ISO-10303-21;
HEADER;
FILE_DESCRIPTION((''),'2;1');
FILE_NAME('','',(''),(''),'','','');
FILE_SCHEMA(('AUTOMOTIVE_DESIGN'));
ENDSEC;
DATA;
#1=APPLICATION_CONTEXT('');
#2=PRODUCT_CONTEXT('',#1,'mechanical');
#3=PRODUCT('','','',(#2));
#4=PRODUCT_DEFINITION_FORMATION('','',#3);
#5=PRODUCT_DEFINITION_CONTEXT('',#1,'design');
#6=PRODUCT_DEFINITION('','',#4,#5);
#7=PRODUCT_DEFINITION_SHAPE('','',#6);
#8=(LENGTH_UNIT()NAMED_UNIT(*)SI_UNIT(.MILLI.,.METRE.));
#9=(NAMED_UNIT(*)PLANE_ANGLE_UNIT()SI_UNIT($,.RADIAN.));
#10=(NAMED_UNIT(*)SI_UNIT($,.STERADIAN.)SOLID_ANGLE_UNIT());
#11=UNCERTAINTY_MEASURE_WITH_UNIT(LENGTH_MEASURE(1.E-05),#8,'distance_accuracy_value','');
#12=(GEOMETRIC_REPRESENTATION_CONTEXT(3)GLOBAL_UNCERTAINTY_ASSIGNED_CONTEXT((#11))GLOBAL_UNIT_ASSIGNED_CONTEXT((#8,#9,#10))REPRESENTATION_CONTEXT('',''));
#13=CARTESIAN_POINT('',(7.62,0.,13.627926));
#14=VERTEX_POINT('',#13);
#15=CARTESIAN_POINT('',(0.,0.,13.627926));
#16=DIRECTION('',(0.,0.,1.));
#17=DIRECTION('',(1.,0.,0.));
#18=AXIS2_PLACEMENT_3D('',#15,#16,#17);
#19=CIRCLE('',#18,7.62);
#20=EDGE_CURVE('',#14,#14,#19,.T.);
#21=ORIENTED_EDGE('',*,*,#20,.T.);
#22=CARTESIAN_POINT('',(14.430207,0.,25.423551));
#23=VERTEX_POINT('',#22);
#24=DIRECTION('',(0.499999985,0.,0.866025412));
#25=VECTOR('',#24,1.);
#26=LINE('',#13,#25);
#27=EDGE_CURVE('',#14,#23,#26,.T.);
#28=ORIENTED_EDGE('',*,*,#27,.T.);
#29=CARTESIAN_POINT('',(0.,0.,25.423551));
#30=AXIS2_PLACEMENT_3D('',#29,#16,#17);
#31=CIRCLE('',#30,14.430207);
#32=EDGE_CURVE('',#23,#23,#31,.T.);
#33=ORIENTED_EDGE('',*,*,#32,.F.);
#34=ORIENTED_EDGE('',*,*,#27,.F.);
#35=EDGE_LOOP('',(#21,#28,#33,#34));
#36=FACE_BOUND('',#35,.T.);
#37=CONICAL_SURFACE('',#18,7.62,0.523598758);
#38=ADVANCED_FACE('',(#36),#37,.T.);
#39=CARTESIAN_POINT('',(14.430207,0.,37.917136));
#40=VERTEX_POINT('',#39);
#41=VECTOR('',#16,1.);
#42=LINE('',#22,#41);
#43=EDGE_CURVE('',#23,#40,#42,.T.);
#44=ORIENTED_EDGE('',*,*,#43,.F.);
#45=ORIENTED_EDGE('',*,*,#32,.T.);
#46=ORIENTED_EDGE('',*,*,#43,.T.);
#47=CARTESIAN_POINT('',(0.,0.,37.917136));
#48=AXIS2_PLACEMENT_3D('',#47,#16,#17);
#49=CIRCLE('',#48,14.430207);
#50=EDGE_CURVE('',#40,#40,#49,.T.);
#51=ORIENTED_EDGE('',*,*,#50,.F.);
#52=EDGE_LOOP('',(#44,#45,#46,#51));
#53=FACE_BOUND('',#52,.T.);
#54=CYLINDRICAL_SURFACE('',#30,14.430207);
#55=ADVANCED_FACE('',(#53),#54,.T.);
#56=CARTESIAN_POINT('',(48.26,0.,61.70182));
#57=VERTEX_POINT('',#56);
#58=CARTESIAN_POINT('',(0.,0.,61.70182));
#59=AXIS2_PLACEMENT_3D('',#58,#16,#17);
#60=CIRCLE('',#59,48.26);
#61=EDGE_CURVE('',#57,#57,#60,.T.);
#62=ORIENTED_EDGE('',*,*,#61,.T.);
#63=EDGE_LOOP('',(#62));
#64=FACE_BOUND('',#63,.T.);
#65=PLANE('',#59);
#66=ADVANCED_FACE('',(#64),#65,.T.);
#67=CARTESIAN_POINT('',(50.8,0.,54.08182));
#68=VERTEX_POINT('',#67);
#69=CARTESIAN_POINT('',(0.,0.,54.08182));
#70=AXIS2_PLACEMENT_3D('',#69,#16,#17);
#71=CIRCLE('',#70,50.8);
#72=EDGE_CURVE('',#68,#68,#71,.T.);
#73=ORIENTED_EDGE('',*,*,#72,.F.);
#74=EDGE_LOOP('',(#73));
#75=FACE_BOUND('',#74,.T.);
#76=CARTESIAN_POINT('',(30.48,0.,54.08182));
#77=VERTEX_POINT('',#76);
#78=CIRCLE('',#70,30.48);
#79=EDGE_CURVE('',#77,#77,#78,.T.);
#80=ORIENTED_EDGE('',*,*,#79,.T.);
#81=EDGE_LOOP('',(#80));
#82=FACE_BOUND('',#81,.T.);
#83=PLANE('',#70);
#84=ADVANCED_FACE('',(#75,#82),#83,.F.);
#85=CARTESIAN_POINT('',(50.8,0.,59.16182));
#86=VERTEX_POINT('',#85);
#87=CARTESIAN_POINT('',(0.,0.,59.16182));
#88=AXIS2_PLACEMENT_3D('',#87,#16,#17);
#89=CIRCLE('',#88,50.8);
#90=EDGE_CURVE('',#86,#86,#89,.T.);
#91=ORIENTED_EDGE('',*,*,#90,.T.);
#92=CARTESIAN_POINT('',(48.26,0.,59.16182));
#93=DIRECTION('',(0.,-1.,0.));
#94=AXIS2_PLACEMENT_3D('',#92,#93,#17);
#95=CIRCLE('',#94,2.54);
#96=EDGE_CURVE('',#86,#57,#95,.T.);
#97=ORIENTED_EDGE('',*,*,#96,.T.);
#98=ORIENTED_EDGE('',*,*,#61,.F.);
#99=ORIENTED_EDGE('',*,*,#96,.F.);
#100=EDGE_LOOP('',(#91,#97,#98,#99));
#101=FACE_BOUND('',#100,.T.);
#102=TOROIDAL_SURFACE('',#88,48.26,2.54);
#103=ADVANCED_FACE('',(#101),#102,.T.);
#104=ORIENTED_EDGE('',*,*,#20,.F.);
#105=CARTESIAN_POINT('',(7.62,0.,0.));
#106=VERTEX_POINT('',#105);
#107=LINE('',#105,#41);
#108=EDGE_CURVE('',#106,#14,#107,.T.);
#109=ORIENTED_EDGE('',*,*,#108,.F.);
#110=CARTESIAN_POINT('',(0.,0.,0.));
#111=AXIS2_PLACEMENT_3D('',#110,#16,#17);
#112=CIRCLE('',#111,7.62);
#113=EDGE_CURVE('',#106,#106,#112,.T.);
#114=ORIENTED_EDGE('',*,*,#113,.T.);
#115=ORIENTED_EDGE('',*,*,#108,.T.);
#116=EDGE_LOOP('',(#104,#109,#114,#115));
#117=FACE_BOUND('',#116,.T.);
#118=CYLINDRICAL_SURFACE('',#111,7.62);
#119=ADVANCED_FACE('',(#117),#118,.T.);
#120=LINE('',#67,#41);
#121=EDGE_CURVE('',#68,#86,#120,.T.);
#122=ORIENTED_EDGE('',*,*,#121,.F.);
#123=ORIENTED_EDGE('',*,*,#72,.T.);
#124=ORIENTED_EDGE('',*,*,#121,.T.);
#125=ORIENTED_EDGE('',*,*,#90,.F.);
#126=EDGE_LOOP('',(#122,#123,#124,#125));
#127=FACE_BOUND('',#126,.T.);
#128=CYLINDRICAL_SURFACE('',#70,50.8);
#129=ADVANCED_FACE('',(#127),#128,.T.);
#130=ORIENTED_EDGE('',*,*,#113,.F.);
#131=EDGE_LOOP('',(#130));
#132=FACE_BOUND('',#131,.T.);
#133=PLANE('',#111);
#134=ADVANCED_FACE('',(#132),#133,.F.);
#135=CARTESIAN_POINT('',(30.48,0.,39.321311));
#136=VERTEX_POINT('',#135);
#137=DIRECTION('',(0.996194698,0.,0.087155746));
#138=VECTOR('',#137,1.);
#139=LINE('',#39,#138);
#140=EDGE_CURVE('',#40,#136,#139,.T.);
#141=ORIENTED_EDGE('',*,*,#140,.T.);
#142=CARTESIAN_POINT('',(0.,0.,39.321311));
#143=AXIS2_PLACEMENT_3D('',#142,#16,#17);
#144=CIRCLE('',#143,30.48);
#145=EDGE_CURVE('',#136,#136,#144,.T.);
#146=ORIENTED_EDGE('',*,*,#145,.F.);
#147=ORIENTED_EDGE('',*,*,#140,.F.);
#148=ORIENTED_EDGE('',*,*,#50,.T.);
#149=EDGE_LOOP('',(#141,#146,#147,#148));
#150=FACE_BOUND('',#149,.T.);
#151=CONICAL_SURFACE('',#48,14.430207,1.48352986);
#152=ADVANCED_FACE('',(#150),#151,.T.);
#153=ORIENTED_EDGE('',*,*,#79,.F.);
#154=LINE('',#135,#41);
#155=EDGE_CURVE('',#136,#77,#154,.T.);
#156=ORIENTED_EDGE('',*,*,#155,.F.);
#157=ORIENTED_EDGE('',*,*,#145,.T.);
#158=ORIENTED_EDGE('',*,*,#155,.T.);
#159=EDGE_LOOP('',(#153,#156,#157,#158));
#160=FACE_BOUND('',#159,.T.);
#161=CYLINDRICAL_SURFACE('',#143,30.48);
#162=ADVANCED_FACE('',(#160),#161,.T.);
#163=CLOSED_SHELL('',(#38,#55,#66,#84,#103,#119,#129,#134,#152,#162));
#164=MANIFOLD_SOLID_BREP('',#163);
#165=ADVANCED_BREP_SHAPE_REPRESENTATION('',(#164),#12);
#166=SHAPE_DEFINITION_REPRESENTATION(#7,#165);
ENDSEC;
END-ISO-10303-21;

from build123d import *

# Parameters (mm, degrees)
F2_R = 2.54


with BuildPart() as f1:
    # F0 (on Front) → F1 (revolve)
    with BuildSketch(Plane.XZ):
        Polygon((0, 61.70182), (0, 0), (7.62, 0), (7.62, 13.627926), (14.430207, 25.423551), (14.430207, 37.917136), (30.48, 39.321311), (30.48, 54.08182), (50.8, 54.08182), (50.8, 61.70182), align=None)
    revolve(axis=Axis((0, 0, 30.85091), (0, 0, 1)))

    # F2
    f2_edges = [f1.edges().sort_by_distance(p)[0] for p in [
        (-50.8, 0, 61.70182),
    ]]
    fillet(f2_edges, radius=F2_R)


solid = f1.part
